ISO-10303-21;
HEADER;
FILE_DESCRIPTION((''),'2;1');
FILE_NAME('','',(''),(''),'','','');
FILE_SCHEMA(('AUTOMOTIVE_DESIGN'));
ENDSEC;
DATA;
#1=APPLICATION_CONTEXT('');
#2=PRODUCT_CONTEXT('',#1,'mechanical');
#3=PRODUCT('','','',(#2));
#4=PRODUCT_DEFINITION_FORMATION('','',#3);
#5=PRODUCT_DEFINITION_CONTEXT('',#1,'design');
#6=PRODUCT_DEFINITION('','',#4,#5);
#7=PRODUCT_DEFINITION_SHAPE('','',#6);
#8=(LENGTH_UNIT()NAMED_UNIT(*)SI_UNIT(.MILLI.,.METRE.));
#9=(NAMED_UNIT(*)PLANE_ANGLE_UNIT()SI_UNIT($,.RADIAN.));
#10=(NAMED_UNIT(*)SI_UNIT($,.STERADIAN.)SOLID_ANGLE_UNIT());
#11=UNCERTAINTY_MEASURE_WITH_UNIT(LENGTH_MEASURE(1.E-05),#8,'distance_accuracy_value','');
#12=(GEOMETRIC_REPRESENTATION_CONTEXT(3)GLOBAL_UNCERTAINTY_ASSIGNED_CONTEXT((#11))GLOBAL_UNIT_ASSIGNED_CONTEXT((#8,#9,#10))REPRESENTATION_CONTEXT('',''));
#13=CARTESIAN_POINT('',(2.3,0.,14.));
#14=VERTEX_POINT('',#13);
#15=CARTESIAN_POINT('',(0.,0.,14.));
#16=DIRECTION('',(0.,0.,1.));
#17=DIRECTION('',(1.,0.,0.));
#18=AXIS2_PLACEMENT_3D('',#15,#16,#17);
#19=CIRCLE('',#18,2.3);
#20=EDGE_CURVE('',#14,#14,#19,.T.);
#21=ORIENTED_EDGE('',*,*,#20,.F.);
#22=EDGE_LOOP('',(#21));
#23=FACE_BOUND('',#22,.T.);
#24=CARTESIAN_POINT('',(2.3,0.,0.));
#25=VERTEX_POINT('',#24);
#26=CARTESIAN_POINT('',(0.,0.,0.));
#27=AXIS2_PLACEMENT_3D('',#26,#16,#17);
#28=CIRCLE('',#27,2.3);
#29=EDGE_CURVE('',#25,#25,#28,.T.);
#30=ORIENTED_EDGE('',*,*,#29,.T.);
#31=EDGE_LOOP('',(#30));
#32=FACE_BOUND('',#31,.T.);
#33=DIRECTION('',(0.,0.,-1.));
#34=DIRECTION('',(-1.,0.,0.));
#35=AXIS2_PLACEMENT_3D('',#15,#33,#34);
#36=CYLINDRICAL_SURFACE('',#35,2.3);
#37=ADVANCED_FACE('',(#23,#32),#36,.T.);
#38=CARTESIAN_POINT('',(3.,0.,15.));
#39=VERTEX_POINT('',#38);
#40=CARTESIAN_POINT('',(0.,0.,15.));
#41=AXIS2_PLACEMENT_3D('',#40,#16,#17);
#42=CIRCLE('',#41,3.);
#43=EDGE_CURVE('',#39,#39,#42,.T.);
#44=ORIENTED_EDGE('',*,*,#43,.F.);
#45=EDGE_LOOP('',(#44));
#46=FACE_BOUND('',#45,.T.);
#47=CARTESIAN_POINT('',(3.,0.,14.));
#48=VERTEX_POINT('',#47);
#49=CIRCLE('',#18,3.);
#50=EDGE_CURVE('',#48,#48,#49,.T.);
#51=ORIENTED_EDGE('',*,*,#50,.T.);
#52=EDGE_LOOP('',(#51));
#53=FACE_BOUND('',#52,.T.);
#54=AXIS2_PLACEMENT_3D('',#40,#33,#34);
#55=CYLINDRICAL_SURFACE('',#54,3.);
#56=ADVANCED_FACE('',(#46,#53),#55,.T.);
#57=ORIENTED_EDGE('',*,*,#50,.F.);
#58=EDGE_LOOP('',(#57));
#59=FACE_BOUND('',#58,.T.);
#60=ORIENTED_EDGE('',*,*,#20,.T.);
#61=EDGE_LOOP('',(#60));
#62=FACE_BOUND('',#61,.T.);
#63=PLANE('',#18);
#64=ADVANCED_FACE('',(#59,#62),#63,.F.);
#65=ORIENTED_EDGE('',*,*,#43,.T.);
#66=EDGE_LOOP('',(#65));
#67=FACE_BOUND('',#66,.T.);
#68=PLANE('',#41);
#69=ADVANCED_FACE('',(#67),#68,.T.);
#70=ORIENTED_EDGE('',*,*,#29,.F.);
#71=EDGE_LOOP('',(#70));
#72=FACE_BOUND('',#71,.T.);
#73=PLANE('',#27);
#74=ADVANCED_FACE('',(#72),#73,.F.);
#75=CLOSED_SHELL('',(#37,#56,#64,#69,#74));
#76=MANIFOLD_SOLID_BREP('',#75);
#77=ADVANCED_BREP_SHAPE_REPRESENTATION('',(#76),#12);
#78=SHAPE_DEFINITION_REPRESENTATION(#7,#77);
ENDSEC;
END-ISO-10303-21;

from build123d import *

# Parameters (mm, degrees)
SKETCH1_R           = 2.3
BOSS_EXTRUDE1_DEPTH = 14
SKETCH2_R           = 3
BOSS_EXTRUDE2_DEPTH = 1


with BuildPart() as part:
    # Sketch1 → Boss-Extrude1 (new body)
    with BuildSketch(Plane.XY):
        Circle(SKETCH1_R)
    extrude(amount=BOSS_EXTRUDE1_DEPTH)

    # Sketch2 → Boss-Extrude2 (add)
    with BuildSketch(Plane.XY.offset(14)):
        Circle(SKETCH2_R)
    extrude(amount=BOSS_EXTRUDE2_DEPTH)


solid = part.part
